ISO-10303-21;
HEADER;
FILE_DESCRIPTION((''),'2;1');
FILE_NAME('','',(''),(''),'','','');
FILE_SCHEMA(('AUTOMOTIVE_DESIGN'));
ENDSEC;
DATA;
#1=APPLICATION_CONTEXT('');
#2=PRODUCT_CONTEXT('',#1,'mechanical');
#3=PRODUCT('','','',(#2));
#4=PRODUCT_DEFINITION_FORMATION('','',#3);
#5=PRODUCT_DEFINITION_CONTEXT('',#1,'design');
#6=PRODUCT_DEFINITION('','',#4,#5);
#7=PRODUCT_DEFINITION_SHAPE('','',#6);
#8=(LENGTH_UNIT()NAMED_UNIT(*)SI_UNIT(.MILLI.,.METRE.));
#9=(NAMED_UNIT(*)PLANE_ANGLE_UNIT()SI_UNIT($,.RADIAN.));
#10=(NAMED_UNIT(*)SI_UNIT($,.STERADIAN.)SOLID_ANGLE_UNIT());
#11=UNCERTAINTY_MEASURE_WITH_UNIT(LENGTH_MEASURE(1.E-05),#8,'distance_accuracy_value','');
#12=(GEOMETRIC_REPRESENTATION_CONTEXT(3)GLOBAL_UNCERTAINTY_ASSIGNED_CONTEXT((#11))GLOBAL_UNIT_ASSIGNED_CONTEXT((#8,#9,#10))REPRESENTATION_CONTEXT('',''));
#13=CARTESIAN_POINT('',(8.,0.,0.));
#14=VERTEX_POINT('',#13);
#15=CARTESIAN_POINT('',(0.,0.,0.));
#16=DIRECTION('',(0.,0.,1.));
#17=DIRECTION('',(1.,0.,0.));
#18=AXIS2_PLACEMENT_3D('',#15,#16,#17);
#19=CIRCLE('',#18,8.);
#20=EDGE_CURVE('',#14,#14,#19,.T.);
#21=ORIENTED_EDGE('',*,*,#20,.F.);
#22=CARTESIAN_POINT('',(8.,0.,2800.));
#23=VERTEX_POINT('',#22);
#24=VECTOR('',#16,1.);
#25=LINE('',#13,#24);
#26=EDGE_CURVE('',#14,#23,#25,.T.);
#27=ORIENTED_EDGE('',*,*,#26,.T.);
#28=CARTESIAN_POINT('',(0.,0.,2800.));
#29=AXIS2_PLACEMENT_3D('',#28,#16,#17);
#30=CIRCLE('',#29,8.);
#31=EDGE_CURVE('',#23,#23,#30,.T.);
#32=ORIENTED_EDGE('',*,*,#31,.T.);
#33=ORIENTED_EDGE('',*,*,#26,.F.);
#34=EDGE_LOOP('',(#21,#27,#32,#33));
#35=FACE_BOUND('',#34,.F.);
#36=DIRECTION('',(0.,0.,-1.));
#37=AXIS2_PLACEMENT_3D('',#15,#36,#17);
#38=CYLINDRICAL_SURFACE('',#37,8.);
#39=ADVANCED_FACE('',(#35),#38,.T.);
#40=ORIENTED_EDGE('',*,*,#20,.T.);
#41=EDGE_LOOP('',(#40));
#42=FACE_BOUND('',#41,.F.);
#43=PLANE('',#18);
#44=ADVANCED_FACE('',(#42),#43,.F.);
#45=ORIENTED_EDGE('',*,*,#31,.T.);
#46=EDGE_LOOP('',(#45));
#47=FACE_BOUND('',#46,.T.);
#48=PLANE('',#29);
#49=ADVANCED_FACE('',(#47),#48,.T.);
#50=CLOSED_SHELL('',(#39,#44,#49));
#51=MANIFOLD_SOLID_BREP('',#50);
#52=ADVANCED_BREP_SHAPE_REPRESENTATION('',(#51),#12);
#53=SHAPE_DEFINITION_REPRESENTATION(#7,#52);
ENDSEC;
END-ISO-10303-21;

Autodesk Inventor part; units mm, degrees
ref_plane "YZ Plane" through (0, 0, 0) normal (1, 0, 0) x (0, 1, 0)
ref_plane "Start plane" through (0, 0, 0) normal (0, 0, 1) x (1, 0, 0)
ref_plane "End plane" through (0, 0, 2800) normal (0, 0, 1) x (1, 0, 0)
sketch "Sketch" plane through (0, 0, 0) normal (0, 0, 1) x (1, 0, 0)
  circle A0 centre (0, 0) radius 8
  dimension "d0" = 16
extrude "Body" add sketch "Sketch" along normal up to surface (2800 mm away) from surface at 0
sketch "Sketch3" plane through (0, 0, 0) normal (0, 0, 1) x (1, 0, 0)
  line L0 (0, 0) -> (10, 0)
ref_plane "Work Plane3" through (0, 0, 0) normal (0, -1, 0) x (1, 0, 0)
sketch "Sketch4" plane through (0, 0, 0) normal (0, -1, 0) x (1, 0, 0)
  line L0 (-2, 0) -> (12, 0) projected
  line L1 (-2, 2800) -> (12, 2800) projected
  dimension "d8" = 2800
equation "\"d0\" = G_H"
equation "\"d1\" = G_L"
equation "\"G_H\" = 16"
equation "\"G_L\" = d8"
equation "\"G_OFFSET_START\" = 0"
equation "\"G_OFFSET_END\" = 0"
equation "\"G_D\" = 16"
properties part number "DIN EN 10060 - 16 - 2800" material "Steel, Mild"
